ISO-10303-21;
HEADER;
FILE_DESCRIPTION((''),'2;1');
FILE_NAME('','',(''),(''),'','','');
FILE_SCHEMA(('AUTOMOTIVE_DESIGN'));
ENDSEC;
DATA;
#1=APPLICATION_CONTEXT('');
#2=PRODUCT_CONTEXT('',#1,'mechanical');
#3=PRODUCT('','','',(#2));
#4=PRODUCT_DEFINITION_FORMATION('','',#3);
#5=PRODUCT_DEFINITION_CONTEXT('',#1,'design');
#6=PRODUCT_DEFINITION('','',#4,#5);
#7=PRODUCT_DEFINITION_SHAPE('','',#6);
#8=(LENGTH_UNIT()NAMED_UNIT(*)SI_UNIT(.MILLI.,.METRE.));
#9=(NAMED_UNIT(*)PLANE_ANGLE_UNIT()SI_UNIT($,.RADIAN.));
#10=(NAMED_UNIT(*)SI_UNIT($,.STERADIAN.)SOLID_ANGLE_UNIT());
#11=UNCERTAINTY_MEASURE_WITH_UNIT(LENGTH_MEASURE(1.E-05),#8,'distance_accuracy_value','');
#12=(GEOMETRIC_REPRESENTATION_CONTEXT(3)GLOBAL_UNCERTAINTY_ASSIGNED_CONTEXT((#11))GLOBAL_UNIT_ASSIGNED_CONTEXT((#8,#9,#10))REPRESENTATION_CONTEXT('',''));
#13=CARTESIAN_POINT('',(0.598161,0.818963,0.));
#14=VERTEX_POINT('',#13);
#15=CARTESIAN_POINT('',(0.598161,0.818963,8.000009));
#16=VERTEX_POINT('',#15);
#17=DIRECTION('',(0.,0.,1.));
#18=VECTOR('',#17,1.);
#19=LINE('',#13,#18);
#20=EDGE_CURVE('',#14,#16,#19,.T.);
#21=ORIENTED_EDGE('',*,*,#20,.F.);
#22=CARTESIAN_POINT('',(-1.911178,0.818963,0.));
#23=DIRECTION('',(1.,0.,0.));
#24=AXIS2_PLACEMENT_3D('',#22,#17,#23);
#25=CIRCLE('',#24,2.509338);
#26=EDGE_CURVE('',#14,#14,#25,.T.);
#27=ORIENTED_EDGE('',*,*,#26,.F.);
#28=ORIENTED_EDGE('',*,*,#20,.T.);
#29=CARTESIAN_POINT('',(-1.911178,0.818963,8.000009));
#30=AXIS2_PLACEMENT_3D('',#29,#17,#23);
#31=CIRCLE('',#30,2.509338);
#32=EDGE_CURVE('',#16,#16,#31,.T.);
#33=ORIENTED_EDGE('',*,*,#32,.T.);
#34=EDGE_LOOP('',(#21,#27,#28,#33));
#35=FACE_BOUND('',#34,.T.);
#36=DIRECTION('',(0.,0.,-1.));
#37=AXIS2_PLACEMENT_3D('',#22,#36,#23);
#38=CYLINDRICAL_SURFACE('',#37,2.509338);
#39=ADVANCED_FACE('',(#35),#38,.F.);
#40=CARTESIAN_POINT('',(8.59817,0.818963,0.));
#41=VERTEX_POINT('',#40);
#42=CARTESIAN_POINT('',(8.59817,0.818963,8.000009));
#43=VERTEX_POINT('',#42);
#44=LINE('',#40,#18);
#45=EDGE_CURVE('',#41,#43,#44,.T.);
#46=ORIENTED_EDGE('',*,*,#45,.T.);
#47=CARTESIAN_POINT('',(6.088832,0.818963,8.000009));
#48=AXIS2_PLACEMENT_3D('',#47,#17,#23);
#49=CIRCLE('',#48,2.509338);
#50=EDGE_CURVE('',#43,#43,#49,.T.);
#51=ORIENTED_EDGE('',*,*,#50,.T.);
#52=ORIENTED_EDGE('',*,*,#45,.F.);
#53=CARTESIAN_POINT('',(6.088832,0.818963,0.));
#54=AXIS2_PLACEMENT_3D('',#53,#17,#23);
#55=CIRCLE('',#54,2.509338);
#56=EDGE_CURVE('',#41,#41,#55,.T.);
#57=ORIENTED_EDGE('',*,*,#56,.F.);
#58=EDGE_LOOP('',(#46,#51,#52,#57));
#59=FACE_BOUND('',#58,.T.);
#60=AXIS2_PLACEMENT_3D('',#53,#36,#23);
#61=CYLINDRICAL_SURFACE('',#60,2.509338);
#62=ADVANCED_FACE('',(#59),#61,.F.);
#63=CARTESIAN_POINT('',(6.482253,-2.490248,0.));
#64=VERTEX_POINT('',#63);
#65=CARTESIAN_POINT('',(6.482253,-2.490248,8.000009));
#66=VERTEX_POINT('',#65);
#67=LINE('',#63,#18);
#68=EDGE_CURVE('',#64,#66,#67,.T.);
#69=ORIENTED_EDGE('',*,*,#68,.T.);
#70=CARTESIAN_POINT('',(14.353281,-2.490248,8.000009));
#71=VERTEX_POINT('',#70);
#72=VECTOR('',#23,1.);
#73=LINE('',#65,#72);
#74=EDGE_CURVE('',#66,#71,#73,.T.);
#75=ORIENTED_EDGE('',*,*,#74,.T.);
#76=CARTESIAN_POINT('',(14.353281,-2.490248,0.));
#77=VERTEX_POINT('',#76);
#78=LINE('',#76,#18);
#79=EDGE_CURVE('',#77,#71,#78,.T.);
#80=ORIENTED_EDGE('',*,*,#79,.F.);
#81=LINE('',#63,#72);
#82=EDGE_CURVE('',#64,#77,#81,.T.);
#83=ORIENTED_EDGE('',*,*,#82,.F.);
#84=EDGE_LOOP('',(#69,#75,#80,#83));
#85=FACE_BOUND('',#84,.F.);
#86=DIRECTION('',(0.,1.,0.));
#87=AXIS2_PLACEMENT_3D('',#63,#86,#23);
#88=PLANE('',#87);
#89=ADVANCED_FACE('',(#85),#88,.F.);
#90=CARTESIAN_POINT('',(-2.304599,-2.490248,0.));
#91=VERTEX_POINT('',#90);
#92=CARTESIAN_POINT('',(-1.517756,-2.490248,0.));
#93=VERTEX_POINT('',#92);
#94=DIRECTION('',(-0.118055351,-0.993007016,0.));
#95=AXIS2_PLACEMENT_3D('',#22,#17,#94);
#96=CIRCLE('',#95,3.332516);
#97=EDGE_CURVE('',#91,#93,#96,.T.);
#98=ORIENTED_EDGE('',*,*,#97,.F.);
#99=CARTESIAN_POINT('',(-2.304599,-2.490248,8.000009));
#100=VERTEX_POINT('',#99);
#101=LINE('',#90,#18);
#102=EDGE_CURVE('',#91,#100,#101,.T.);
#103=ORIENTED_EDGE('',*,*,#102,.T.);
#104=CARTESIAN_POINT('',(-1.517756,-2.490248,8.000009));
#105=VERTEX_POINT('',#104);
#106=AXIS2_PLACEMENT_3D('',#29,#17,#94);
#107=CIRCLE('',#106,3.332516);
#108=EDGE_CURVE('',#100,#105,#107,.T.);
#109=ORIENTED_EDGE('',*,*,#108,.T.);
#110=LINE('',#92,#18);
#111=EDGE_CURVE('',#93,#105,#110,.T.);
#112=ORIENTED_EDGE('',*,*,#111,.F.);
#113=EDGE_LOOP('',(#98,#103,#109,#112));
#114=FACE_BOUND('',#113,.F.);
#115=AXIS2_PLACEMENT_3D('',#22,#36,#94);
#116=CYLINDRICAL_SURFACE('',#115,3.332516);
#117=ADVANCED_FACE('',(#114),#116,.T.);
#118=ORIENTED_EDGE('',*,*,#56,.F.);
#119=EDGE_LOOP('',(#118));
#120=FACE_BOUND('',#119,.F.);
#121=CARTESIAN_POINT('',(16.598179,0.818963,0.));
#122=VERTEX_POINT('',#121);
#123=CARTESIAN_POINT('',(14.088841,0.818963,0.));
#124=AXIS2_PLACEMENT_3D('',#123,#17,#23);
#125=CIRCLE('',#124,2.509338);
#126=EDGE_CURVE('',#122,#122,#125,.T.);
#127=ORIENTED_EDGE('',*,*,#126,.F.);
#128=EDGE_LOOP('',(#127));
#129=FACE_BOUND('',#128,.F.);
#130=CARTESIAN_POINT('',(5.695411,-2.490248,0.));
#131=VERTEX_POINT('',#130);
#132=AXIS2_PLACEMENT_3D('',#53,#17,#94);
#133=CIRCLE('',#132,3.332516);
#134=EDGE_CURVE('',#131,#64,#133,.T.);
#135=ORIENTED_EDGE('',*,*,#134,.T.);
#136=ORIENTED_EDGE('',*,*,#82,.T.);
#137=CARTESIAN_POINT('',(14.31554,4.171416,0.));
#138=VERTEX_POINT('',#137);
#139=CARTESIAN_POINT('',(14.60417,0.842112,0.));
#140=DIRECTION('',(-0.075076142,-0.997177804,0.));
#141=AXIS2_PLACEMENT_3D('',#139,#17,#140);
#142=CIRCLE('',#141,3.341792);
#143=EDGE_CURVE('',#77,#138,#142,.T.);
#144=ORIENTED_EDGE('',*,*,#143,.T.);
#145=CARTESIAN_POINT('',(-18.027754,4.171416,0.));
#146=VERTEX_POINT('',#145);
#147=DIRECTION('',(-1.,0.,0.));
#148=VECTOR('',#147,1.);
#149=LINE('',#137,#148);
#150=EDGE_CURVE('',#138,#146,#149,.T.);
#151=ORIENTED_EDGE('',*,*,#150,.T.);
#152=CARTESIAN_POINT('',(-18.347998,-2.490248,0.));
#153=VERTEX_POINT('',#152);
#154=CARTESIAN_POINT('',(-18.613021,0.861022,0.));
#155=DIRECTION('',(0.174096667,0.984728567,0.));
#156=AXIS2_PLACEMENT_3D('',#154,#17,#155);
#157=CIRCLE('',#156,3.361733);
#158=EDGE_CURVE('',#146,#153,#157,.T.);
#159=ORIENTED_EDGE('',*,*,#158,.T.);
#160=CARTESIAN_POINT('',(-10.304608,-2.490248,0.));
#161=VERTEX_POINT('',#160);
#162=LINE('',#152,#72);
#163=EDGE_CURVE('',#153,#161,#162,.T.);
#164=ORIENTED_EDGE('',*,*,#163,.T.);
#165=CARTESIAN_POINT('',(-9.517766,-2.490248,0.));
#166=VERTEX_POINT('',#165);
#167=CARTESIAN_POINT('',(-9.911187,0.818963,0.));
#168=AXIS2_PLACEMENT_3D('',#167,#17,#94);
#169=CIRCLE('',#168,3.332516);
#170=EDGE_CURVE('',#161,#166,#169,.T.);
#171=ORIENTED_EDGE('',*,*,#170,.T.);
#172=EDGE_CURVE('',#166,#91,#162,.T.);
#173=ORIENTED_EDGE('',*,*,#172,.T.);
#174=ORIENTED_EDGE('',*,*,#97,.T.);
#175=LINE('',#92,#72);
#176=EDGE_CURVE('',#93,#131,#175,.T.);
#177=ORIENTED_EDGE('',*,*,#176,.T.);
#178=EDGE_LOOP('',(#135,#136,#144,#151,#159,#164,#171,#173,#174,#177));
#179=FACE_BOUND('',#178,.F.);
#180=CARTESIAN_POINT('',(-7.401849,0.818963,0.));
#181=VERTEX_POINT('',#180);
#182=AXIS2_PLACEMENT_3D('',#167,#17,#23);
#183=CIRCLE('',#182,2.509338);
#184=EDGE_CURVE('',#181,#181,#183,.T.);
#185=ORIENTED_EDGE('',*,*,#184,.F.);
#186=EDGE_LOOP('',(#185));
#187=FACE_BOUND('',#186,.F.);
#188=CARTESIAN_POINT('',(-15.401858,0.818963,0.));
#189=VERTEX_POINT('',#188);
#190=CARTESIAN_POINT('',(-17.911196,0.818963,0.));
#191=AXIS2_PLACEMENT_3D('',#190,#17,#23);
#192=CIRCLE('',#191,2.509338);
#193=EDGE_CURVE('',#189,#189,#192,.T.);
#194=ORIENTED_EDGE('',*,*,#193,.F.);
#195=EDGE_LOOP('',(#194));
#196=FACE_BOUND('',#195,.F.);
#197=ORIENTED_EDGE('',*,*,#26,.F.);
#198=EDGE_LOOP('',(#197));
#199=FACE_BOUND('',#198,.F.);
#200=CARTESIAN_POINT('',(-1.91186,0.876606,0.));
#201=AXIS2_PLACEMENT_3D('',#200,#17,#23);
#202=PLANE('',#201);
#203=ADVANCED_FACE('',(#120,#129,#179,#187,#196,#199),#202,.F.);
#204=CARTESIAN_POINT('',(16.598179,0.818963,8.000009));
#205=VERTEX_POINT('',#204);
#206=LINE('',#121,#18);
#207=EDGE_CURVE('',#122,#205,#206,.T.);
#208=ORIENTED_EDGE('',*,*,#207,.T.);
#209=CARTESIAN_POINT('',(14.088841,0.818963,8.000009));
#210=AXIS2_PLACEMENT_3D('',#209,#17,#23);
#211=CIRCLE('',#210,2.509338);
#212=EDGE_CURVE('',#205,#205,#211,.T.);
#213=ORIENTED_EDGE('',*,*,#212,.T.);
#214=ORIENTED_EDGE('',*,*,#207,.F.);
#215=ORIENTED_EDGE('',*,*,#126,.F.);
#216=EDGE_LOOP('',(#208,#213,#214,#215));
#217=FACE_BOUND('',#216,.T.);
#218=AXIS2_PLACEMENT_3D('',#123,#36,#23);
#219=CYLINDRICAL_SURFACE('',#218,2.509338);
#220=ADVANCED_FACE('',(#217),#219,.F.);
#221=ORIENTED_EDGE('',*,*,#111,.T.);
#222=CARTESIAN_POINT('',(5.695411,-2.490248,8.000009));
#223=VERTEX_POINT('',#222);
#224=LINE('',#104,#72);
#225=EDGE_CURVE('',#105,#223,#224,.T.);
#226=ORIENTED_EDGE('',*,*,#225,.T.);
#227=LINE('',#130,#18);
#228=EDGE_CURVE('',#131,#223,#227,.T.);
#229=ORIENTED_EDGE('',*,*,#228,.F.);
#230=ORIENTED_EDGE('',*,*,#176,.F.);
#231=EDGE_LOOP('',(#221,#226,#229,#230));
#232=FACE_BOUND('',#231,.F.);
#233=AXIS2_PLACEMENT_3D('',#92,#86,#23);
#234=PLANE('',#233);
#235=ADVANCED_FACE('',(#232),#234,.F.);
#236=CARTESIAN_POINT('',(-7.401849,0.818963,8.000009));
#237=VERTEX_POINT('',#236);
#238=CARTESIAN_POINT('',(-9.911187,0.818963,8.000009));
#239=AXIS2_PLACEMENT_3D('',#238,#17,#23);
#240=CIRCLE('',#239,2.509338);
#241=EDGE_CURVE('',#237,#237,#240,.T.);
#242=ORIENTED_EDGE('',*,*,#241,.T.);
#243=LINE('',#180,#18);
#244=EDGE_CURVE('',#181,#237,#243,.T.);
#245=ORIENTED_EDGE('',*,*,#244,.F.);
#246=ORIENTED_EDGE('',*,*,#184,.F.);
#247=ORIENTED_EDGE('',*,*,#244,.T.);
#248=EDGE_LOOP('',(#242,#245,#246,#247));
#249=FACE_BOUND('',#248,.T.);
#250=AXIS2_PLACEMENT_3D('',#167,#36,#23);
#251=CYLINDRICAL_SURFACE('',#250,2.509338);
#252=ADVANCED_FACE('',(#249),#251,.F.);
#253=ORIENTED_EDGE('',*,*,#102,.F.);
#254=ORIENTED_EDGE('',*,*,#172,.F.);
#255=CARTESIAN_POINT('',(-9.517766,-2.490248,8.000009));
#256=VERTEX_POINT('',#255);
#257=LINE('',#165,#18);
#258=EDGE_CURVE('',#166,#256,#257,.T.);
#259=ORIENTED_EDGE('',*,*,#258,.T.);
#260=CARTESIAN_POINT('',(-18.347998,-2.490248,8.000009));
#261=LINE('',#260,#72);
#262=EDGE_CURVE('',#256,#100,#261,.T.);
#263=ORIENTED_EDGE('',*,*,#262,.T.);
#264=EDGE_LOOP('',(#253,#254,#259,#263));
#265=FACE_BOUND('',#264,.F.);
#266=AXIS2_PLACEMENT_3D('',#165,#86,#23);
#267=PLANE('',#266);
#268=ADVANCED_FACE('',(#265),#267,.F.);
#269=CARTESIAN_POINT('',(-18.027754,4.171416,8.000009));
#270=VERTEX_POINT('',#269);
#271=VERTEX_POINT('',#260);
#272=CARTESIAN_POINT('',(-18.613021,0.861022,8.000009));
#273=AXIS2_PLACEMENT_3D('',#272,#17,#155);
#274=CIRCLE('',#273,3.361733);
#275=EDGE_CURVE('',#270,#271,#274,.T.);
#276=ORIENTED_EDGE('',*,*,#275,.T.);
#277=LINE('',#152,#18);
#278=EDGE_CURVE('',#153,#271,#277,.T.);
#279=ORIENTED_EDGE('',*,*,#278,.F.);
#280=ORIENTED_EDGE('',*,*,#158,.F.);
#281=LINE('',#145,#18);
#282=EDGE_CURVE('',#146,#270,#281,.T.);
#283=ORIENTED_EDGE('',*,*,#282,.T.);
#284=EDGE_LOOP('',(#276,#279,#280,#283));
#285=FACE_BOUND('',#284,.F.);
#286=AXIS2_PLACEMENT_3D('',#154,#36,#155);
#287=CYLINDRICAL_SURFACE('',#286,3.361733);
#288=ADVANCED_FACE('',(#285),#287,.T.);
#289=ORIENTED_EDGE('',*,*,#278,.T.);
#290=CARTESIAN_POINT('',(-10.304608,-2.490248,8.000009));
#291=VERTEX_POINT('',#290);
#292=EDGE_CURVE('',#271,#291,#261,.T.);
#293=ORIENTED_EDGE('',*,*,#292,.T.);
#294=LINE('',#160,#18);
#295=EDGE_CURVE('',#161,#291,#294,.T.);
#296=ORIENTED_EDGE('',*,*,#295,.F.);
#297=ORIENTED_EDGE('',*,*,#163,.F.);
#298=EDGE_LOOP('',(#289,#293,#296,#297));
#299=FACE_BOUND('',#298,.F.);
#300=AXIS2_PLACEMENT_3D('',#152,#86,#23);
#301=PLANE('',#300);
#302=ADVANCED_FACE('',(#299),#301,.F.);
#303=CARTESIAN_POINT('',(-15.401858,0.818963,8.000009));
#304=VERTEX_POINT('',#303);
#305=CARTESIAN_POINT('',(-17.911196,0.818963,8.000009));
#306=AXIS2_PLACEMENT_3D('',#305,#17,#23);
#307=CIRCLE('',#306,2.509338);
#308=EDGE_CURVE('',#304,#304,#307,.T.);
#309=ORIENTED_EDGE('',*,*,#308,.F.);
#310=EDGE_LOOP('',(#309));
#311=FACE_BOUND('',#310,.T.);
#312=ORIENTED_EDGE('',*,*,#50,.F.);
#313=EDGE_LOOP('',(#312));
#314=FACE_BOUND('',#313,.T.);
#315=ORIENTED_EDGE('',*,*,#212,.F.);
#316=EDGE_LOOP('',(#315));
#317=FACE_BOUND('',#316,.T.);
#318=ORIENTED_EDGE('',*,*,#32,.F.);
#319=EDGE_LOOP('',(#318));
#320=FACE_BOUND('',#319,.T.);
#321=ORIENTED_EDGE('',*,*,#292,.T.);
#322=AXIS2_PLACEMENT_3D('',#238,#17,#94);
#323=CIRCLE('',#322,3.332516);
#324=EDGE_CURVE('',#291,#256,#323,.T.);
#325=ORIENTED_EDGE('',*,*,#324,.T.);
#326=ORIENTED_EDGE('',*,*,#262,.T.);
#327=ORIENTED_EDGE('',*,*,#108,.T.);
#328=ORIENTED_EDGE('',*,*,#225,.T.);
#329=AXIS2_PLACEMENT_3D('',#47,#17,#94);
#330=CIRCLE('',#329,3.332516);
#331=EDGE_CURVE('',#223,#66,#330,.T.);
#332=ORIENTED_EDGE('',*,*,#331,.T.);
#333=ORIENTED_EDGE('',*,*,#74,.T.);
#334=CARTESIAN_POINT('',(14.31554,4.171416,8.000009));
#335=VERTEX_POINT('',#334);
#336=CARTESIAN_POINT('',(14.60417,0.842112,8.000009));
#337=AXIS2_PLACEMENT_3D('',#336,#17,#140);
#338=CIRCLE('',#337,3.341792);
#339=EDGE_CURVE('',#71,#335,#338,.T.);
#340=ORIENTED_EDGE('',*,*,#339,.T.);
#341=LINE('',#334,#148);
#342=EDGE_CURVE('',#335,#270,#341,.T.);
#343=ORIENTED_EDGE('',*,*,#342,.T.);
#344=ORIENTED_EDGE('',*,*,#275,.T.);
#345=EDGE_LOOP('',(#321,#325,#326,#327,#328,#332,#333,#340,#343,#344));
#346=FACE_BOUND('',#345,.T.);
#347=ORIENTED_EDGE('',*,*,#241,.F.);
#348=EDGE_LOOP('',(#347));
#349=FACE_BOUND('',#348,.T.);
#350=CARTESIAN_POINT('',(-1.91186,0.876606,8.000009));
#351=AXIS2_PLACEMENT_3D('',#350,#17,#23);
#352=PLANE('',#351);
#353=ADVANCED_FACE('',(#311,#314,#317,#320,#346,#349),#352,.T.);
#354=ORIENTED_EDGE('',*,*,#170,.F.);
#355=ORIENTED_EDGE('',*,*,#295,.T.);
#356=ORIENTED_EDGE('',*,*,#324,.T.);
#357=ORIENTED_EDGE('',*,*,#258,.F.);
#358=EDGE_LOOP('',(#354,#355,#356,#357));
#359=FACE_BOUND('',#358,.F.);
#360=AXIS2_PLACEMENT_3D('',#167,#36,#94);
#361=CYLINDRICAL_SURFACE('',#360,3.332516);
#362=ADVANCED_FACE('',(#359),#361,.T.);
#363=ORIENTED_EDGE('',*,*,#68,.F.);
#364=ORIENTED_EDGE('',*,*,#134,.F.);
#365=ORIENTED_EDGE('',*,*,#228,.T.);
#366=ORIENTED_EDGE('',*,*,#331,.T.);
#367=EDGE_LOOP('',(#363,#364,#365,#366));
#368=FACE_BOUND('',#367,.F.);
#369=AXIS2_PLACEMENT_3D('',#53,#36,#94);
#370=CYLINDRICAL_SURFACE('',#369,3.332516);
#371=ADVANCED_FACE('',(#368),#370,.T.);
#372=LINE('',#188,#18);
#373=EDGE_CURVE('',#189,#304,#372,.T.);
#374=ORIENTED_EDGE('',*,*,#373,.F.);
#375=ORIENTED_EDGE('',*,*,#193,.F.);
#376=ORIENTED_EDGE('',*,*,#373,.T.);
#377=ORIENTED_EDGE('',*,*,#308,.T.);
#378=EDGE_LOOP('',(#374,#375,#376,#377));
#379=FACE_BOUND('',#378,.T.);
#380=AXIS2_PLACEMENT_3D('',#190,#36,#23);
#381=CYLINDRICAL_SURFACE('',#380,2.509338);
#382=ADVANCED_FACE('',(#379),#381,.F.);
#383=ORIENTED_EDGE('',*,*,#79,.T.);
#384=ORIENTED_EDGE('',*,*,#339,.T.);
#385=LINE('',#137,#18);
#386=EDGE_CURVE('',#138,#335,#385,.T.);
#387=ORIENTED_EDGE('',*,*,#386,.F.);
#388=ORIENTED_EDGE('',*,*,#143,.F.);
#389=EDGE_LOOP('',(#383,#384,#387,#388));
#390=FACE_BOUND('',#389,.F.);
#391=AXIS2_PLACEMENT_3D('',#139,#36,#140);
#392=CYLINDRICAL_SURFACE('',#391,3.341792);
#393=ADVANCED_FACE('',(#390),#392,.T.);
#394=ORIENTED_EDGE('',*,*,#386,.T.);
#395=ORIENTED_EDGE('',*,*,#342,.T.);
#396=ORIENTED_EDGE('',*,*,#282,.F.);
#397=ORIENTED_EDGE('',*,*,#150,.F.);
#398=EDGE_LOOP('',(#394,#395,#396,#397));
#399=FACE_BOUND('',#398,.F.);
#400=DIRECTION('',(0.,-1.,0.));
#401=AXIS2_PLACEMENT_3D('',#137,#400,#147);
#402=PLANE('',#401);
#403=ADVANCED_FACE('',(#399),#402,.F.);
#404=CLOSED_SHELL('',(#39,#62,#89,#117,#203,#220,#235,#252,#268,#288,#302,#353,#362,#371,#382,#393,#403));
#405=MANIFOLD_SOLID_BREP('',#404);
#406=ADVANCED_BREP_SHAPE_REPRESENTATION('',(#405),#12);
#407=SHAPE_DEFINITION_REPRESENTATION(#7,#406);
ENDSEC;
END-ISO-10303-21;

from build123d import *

# Parameters (mm, degrees)
F0_R     = 2.5093381746
F1_DEPTH = 8.0000094


with BuildPart() as f1:
    # F0 (on Top) → F1 (new body)
    with BuildSketch(Plane.XY):
        with BuildLine():
            Line((6.4822530958, -2.4902481259), (14.3532814922, -2.4902481259))
            ThreePointArc((14.3532814922, -2.4902481259), (17.9459084157, 0.8610448497), (14.3155401794, 4.1714163226))
            Line((14.3155401794, 4.1714163226), (-18.027754119, 4.1714163226))
            ThreePointArc((-18.027754119, 4.1714163226), (-21.9708757472, 1.022442996), (-18.3479981245, -2.4902481259))
            Line((-18.3479981245, -2.4902481259), (-10.3046082925, -2.4902481259))
            ThreePointArc((-10.3046082925, -2.4902481259), (-12.1241688453, 3.3106235335), (-6.5786714485, 0.8189631964))
            ThreePointArc((-6.5786714485, 0.8189631964), (-7.4195266613, -1.3940186505), (-9.5177657042, -2.4902481259))
            Line((-9.5177657042, -2.4902481259), (-2.3045988925, -2.4902481259))
            ThreePointArc((-2.3045988925, -2.4902481259), (-4.1241594453, 3.3106235335), (1.4213379515, 0.8189631964))
            ThreePointArc((1.4213379515, 0.8189631964), (0.5804827387, -1.3940186505), (-1.5177563042, -2.4902481259))
            Line((-1.5177563042, -2.4902481259), (5.6954105075, -2.4902481259))
            ThreePointArc((5.6954105075, -2.4902481259), (3.8758499547, 3.3106235335), (9.4213473515, 0.8189631964))
            ThreePointArc((9.4213473515, 0.8189631964), (8.5804921387, -1.3940186505), (6.4822530958, -2.4902481259))
        make_face()
        with Locations((-17.9111963984, 0.8189631964)):
            Circle(F0_R, mode=Mode.SUBTRACT)
        with Locations((14.0888412016, 0.8189631964)):
            Circle(F0_R, mode=Mode.SUBTRACT)
        with BuildLine():
            ThreePointArc((5.6954105075, -2.4902481259), (6.0888318016, -2.5135523535), (6.4822530958, -2.4902481259))
            Line((6.4822530958, -2.4902481259), (5.6954105075, -2.4902481259))
        make_face()
        with BuildLine():
            Line((5.6954105075, -2.4902481259), (6.4822530958, -2.4902481259))
            ThreePointArc((6.4822530958, -2.4902481259), (8.5804921387, -1.3940186505), (9.4213473515, 0.8189631964))
            ThreePointArc((9.4213473515, 0.8189631964), (3.8758499547, 3.3106235335), (5.6954105075, -2.4902481259))
        make_face()
        with Locations((6.0888318016, 0.8189631964)):
            Circle(F0_R, mode=Mode.SUBTRACT)
        with BuildLine():
            ThreePointArc((-2.3045988925, -2.4902481259), (-1.9111775984, -2.5135523535), (-1.5177563042, -2.4902481259))
            Line((-1.5177563042, -2.4902481259), (-2.3045988925, -2.4902481259))
        make_face()
        with BuildLine():
            Line((-2.3045988925, -2.4902481259), (-1.5177563042, -2.4902481259))
            ThreePointArc((-1.5177563042, -2.4902481259), (0.5804827387, -1.3940186505), (1.4213379515, 0.8189631964))
            ThreePointArc((1.4213379515, 0.8189631964), (-4.1241594453, 3.3106235335), (-2.3045988925, -2.4902481259))
        make_face()
        with Locations((-1.9111775984, 0.8189631964)):
            Circle(F0_R, mode=Mode.SUBTRACT)
        with BuildLine():
            ThreePointArc((-6.5786714485, 0.8189631964), (-12.1241688453, 3.3106235335), (-10.3046082925, -2.4902481259))
            Line((-10.3046082925, -2.4902481259), (-9.5177657042, -2.4902481259))
            ThreePointArc((-9.5177657042, -2.4902481259), (-7.4195266613, -1.3940186505), (-6.5786714485, 0.8189631964))
        make_face()
        with Locations((-9.9111869984, 0.8189631964)):
            Circle(F0_R, mode=Mode.SUBTRACT)
        with BuildLine():
            Line((-9.5177657042, -2.4902481259), (-10.3046082925, -2.4902481259))
            ThreePointArc((-10.3046082925, -2.4902481259), (-9.9111869984, -2.5135523535), (-9.5177657042, -2.4902481259))
        make_face()
    extrude(amount=F1_DEPTH)


solid = f1.part
